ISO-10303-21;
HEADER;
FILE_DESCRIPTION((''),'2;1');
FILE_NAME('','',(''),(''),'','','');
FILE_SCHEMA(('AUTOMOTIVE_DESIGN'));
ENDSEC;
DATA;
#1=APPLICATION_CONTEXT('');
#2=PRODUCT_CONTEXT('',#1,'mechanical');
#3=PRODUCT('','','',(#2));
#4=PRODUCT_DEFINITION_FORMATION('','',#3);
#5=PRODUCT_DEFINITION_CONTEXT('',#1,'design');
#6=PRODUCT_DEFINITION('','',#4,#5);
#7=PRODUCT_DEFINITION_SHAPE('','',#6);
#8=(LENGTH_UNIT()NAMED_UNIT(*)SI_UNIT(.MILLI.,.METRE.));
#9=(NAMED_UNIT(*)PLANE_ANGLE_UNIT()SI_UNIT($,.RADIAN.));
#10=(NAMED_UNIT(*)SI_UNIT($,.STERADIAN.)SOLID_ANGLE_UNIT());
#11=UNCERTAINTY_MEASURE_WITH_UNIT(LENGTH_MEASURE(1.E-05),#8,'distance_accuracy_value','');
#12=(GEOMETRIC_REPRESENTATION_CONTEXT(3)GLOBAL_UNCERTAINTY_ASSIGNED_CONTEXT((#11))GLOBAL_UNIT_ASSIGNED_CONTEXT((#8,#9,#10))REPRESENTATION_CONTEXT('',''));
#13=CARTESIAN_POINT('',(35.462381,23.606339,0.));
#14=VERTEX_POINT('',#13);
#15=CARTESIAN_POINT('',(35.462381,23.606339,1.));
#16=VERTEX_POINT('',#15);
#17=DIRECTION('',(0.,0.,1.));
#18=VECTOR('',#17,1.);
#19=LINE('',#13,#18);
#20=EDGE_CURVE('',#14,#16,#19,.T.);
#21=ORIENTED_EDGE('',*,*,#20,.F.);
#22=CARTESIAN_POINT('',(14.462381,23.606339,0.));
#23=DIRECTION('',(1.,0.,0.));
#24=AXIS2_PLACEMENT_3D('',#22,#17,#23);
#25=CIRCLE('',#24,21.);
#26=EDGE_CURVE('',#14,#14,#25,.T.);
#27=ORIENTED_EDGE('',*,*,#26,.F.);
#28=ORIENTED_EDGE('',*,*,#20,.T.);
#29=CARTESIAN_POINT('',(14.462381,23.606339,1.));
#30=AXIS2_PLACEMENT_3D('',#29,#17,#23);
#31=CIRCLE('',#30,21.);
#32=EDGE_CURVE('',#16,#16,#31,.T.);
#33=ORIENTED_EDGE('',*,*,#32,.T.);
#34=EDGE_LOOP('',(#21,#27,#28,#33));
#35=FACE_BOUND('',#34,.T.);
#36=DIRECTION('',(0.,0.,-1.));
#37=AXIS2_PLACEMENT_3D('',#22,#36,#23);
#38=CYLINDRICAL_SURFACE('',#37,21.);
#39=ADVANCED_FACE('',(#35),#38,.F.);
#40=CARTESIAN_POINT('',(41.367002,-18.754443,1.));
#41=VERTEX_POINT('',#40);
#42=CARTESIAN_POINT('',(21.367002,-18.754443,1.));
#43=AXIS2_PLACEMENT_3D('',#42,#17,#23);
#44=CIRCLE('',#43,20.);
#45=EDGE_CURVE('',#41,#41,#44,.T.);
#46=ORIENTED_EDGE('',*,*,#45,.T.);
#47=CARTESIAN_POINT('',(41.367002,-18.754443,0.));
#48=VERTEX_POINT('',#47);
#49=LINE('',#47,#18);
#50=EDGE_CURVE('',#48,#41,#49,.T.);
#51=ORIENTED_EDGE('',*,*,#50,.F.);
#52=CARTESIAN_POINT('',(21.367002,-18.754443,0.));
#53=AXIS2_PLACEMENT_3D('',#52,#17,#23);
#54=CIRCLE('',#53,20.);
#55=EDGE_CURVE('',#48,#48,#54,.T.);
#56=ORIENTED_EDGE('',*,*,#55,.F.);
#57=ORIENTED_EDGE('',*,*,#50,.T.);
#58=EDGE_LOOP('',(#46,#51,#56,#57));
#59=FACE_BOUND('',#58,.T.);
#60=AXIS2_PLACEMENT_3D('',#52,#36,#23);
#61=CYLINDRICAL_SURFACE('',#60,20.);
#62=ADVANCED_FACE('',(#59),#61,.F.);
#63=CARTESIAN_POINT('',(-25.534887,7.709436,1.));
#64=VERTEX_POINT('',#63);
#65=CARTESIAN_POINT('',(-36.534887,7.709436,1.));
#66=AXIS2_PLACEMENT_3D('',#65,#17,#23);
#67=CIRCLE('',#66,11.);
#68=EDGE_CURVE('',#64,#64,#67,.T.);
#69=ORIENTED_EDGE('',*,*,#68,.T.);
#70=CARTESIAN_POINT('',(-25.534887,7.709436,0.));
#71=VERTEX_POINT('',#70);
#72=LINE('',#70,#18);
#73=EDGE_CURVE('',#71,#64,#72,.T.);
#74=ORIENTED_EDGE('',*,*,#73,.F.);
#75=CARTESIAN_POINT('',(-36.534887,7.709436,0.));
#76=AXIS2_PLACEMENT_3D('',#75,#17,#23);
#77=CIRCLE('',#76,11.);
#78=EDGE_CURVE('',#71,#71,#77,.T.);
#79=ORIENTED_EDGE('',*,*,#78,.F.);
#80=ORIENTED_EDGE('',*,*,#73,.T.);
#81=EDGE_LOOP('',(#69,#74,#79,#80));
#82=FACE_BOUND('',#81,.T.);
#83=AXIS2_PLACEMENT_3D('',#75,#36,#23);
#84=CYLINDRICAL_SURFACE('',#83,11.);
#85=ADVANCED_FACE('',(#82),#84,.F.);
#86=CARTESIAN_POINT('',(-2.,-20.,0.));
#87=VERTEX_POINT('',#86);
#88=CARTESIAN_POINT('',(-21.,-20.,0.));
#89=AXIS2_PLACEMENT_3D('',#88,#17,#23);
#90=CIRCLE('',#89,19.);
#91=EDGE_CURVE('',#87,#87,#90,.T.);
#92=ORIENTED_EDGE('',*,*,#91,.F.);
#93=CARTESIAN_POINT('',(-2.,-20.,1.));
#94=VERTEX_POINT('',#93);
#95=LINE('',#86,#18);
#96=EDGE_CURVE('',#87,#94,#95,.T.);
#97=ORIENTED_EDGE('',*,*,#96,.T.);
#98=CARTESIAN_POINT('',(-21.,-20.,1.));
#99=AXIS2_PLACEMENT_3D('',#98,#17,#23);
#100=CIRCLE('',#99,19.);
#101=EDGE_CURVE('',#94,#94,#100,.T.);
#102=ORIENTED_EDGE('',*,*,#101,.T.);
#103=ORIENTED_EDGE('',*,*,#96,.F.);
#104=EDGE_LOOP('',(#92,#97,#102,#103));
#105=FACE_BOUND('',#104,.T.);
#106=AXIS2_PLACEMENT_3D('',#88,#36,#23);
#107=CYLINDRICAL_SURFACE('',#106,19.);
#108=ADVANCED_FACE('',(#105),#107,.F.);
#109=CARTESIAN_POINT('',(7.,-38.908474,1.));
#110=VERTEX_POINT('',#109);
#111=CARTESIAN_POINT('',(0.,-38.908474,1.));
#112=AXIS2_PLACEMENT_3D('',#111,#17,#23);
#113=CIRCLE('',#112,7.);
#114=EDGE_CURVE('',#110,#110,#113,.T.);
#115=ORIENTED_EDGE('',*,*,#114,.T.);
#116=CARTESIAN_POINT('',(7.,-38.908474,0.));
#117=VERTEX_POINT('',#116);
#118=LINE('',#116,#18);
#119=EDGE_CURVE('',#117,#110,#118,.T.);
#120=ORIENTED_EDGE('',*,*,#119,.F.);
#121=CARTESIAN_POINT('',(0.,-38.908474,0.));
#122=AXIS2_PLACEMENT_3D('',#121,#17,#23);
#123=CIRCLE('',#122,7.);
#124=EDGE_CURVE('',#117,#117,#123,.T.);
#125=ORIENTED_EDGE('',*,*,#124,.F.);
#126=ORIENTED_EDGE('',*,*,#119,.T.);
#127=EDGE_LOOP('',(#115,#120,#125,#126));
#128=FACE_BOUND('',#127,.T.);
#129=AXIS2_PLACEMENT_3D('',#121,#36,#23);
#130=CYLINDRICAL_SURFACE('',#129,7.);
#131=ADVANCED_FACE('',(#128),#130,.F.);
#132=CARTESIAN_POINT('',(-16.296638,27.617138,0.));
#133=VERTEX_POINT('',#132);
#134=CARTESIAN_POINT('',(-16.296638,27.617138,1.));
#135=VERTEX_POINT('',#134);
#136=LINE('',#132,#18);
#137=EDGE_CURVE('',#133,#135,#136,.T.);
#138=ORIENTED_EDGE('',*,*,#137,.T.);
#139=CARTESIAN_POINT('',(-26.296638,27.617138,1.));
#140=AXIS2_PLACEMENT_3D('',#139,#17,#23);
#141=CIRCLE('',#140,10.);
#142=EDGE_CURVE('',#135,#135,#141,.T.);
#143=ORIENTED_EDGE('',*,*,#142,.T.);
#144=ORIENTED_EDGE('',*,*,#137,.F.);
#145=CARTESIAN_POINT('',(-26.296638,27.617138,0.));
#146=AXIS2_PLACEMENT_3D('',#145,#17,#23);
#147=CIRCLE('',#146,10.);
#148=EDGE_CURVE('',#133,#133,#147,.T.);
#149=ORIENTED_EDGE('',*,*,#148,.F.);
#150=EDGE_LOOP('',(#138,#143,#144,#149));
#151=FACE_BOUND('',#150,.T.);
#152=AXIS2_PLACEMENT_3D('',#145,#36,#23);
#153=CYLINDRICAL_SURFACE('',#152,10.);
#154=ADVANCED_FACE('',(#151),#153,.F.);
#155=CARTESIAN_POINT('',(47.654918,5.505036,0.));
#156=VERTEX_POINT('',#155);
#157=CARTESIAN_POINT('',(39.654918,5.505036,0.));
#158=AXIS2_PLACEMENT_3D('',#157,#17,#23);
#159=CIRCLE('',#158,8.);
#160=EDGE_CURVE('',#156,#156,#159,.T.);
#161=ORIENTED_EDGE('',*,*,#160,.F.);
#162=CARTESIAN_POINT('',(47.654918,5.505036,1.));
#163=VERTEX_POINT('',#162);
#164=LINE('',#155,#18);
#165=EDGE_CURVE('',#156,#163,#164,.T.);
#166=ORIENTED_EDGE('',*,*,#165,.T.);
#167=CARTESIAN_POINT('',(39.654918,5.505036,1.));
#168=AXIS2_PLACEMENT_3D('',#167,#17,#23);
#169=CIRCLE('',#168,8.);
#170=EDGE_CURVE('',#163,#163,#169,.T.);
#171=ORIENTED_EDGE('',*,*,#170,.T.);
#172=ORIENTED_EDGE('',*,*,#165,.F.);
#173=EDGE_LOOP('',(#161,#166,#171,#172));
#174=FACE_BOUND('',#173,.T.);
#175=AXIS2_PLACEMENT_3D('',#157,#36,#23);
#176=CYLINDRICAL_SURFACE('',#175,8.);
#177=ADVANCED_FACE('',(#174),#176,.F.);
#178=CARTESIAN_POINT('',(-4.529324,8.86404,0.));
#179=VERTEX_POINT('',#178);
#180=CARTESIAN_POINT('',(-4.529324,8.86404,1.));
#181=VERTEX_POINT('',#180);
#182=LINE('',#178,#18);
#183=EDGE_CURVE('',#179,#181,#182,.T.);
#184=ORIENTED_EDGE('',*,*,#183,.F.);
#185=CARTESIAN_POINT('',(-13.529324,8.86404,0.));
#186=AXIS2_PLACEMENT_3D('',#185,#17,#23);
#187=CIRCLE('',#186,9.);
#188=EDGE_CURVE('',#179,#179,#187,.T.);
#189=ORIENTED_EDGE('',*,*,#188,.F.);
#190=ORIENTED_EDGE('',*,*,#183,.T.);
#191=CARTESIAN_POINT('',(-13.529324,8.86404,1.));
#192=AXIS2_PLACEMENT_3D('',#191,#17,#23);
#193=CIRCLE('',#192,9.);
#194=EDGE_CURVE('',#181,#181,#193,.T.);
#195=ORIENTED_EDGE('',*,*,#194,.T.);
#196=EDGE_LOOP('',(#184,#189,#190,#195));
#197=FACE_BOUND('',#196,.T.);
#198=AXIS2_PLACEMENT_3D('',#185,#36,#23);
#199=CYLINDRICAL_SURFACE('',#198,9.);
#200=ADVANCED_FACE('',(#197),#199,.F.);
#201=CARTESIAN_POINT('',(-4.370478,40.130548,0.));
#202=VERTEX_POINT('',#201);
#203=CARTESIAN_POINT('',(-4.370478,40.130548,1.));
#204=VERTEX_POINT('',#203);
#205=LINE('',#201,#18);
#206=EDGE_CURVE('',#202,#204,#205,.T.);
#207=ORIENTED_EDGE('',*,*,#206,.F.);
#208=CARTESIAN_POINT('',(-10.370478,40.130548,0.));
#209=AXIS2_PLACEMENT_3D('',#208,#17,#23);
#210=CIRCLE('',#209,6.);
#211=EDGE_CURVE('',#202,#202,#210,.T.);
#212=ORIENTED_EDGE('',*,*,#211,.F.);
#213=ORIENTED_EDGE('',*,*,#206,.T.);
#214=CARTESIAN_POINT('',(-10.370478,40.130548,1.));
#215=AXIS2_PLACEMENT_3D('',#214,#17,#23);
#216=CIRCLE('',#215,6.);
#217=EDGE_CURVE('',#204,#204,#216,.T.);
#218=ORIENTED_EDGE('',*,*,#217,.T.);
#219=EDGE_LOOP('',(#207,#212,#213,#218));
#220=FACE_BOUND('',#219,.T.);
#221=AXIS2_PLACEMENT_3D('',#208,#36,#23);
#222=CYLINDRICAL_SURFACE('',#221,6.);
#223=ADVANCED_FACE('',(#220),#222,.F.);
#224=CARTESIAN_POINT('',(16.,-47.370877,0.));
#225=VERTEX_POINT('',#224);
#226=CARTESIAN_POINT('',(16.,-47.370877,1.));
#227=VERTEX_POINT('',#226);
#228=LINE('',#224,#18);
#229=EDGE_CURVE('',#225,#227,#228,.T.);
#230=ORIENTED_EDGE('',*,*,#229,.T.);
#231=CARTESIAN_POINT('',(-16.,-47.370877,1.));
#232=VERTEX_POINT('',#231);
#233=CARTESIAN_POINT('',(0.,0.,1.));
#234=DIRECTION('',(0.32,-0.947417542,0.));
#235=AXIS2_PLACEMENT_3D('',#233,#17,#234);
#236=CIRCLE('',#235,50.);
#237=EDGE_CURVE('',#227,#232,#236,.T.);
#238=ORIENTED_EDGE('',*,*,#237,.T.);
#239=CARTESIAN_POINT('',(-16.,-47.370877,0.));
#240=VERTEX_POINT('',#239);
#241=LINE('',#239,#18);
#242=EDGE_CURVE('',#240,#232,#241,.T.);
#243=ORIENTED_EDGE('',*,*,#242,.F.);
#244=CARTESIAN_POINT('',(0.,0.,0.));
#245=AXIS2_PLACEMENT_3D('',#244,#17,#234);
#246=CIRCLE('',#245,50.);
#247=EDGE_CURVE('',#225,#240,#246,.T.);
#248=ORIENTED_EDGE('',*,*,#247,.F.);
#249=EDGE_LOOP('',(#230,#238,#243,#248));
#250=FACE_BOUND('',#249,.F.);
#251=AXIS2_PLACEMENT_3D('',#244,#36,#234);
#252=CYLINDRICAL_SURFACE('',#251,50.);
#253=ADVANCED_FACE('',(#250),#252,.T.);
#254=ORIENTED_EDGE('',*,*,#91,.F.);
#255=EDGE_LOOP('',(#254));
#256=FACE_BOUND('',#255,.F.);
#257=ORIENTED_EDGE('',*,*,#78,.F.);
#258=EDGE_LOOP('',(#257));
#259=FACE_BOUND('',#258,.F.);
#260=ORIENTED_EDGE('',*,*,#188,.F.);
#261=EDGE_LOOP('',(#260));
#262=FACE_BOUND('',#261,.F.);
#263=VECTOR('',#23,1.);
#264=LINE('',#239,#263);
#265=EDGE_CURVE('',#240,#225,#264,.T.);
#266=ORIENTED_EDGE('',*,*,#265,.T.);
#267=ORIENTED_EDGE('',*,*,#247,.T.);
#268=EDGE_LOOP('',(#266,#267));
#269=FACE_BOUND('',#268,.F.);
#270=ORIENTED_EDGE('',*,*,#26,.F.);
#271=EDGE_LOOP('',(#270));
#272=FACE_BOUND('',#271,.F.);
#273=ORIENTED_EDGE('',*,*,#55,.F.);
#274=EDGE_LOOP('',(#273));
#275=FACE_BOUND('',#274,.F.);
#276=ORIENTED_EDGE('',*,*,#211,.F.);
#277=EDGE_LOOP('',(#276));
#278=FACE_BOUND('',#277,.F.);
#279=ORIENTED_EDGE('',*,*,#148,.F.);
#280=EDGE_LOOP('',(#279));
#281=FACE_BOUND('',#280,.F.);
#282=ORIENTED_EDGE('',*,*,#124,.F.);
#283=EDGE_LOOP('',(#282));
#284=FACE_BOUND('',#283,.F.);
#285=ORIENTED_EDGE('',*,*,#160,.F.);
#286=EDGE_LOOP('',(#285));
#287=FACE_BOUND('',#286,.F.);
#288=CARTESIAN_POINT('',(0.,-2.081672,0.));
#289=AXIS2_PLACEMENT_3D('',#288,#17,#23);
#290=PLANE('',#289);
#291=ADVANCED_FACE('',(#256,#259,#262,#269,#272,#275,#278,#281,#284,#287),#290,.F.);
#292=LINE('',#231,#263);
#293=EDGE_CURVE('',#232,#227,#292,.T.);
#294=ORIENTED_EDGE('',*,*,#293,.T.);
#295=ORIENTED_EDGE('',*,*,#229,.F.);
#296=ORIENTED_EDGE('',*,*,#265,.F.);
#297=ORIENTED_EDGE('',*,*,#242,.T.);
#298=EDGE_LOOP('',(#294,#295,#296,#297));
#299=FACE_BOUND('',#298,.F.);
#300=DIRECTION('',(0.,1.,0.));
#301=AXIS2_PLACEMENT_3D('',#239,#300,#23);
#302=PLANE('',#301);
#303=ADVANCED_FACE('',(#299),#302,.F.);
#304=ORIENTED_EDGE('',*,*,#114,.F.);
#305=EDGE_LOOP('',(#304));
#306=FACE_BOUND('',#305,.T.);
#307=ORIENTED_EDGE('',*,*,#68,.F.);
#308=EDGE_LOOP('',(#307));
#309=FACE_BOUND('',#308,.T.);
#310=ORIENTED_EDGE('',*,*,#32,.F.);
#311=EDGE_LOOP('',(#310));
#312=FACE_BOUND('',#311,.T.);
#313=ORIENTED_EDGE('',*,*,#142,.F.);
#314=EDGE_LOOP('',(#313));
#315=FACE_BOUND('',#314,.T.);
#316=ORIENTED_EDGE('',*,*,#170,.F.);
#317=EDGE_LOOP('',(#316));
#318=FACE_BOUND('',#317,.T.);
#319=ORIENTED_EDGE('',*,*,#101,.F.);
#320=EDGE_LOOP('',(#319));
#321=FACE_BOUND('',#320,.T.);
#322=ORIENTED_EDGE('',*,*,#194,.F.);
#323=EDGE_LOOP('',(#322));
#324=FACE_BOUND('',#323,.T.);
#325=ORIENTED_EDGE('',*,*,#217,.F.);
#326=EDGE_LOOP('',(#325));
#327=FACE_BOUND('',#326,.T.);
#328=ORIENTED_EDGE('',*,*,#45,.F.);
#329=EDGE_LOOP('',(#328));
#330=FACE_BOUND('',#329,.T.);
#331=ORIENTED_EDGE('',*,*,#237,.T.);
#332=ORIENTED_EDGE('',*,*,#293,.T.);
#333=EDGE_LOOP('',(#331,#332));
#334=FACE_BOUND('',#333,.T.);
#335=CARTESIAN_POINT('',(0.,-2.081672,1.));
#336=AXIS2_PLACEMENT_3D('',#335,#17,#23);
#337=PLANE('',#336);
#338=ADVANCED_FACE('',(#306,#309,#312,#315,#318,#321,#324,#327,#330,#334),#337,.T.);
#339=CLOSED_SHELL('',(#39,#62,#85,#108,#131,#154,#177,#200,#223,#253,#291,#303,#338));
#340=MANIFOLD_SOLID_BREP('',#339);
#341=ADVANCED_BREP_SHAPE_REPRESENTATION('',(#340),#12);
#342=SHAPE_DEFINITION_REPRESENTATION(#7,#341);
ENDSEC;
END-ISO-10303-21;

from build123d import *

# Parameters (mm, degrees)
F0_R     = 7
F0_R_2   = 19
F0_R_3   = 20
F0_R_4   = 11
F0_R_5   = 9
F0_R_6   = 10
F0_R_7   = 6
F0_R_8   = 21
F0_R_9   = 8
F1_DEPTH = 1


with BuildPart() as f1:
    # F0 (on Top) → F1 (new body)
    with BuildSketch(Plane.XY):
        with BuildLine():
            Line((-16, -47.370877), (16, -47.370877))
            ThreePointArc((16, -47.370877), (0, 50), (-16, -47.370877))
        make_face()
        with Locations((0, -38.908474)):
            Circle(F0_R, mode=Mode.SUBTRACT)
        with Locations((-21, -20)):
            Circle(F0_R_2, mode=Mode.SUBTRACT)
        with Locations((21.367002, -18.754443)):
            Circle(F0_R_3, mode=Mode.SUBTRACT)
        with Locations((-36.534887, 7.709436)):
            Circle(F0_R_4, mode=Mode.SUBTRACT)
        with Locations((-13.529324, 8.86404)):
            Circle(F0_R_5, mode=Mode.SUBTRACT)
        with Locations((-26.296638, 27.617138)):
            Circle(F0_R_6, mode=Mode.SUBTRACT)
        with Locations((-10.370478, 40.130548)):
            Circle(F0_R_7, mode=Mode.SUBTRACT)
        with Locations((14.462381, 23.606339)):
            Circle(F0_R_8, mode=Mode.SUBTRACT)
        with Locations((39.654918, 5.505036)):
            Circle(F0_R_9, mode=Mode.SUBTRACT)
    extrude(amount=F1_DEPTH)


solid = f1.part
